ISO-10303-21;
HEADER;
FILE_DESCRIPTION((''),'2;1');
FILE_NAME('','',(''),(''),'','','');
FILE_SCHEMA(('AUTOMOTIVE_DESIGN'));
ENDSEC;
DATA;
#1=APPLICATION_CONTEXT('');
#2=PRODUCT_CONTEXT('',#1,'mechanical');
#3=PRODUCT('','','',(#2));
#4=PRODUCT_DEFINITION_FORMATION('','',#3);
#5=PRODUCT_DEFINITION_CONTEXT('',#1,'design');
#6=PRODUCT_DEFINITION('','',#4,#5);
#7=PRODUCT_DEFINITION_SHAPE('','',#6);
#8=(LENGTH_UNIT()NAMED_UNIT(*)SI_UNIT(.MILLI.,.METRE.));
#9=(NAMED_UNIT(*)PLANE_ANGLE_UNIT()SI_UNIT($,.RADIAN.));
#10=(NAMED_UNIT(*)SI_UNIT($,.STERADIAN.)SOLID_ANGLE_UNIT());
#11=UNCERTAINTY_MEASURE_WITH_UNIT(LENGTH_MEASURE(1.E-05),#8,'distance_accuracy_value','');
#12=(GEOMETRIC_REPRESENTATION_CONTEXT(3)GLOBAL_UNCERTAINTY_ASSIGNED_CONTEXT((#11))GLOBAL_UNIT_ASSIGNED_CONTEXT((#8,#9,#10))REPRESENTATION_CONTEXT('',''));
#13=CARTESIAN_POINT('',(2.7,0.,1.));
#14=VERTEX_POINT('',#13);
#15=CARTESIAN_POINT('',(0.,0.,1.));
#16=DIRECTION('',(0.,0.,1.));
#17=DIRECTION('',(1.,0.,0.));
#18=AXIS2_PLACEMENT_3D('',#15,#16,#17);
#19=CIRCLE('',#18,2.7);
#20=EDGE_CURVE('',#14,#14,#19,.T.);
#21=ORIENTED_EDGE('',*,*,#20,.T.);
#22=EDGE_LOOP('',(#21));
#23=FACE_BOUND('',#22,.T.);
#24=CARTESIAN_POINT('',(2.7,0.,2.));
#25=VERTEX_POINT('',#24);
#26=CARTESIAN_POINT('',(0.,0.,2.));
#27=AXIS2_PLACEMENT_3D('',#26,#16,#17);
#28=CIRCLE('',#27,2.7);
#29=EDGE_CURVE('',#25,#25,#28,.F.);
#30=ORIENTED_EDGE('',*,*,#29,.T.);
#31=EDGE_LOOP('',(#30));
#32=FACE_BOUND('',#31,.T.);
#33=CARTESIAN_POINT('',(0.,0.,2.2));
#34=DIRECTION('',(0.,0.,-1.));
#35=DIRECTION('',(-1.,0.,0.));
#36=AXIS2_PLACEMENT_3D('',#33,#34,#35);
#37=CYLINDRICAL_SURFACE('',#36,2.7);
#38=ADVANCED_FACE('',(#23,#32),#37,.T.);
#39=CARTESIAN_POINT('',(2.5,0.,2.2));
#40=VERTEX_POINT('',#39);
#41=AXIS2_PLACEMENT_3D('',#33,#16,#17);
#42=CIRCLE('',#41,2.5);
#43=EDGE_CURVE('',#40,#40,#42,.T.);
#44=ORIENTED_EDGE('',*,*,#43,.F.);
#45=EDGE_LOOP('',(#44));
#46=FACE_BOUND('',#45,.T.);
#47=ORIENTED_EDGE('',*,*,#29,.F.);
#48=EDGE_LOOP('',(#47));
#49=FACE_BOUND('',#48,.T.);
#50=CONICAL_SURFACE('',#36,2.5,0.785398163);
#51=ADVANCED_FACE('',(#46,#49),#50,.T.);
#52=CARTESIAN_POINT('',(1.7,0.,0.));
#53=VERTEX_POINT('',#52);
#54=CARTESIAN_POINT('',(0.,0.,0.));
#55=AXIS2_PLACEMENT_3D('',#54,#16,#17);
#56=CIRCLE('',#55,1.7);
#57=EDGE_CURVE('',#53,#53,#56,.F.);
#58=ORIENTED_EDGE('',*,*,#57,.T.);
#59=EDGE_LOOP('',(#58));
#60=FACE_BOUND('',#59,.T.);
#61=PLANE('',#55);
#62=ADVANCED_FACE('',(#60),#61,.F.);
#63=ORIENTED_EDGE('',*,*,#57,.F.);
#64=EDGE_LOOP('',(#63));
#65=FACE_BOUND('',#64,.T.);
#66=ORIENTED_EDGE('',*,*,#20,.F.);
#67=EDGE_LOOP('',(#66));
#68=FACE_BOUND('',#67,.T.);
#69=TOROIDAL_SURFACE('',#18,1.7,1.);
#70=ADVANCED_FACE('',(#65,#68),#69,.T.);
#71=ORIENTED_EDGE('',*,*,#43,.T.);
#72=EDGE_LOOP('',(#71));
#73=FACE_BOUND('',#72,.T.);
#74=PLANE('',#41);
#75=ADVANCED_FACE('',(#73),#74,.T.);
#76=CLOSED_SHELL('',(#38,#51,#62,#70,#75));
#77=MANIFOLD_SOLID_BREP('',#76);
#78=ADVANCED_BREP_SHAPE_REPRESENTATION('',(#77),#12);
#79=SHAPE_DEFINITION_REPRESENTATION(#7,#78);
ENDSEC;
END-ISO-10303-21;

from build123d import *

# Parameters (mm, degrees)
SKETCH_1_R      = 2.7
EXTRUDE_1_DEPTH = 2.2
FILLET_1_R      = 1
CHAMFER_1_SIZE  = 0.2


with BuildPart() as part:
    # 草图1 → 凸台-拉伸1 (new body)
    with BuildSketch(Plane.XY):
        Circle(SKETCH_1_R)
    extrude(amount=EXTRUDE_1_DEPTH)

    # 圆角1
    fillet_1_edges = [part.edges().sort_by_distance(p)[0] for p in [
        (-2.7, 0, 0),
    ]]
    fillet(fillet_1_edges, radius=FILLET_1_R)

    # 倒角1
    chamfer_1_edges = [part.edges().sort_by_distance(p)[0] for p in [
        (-2.7, 0, 2.2),
    ]]
    chamfer(chamfer_1_edges, length=CHAMFER_1_SIZE)


solid = part.part
